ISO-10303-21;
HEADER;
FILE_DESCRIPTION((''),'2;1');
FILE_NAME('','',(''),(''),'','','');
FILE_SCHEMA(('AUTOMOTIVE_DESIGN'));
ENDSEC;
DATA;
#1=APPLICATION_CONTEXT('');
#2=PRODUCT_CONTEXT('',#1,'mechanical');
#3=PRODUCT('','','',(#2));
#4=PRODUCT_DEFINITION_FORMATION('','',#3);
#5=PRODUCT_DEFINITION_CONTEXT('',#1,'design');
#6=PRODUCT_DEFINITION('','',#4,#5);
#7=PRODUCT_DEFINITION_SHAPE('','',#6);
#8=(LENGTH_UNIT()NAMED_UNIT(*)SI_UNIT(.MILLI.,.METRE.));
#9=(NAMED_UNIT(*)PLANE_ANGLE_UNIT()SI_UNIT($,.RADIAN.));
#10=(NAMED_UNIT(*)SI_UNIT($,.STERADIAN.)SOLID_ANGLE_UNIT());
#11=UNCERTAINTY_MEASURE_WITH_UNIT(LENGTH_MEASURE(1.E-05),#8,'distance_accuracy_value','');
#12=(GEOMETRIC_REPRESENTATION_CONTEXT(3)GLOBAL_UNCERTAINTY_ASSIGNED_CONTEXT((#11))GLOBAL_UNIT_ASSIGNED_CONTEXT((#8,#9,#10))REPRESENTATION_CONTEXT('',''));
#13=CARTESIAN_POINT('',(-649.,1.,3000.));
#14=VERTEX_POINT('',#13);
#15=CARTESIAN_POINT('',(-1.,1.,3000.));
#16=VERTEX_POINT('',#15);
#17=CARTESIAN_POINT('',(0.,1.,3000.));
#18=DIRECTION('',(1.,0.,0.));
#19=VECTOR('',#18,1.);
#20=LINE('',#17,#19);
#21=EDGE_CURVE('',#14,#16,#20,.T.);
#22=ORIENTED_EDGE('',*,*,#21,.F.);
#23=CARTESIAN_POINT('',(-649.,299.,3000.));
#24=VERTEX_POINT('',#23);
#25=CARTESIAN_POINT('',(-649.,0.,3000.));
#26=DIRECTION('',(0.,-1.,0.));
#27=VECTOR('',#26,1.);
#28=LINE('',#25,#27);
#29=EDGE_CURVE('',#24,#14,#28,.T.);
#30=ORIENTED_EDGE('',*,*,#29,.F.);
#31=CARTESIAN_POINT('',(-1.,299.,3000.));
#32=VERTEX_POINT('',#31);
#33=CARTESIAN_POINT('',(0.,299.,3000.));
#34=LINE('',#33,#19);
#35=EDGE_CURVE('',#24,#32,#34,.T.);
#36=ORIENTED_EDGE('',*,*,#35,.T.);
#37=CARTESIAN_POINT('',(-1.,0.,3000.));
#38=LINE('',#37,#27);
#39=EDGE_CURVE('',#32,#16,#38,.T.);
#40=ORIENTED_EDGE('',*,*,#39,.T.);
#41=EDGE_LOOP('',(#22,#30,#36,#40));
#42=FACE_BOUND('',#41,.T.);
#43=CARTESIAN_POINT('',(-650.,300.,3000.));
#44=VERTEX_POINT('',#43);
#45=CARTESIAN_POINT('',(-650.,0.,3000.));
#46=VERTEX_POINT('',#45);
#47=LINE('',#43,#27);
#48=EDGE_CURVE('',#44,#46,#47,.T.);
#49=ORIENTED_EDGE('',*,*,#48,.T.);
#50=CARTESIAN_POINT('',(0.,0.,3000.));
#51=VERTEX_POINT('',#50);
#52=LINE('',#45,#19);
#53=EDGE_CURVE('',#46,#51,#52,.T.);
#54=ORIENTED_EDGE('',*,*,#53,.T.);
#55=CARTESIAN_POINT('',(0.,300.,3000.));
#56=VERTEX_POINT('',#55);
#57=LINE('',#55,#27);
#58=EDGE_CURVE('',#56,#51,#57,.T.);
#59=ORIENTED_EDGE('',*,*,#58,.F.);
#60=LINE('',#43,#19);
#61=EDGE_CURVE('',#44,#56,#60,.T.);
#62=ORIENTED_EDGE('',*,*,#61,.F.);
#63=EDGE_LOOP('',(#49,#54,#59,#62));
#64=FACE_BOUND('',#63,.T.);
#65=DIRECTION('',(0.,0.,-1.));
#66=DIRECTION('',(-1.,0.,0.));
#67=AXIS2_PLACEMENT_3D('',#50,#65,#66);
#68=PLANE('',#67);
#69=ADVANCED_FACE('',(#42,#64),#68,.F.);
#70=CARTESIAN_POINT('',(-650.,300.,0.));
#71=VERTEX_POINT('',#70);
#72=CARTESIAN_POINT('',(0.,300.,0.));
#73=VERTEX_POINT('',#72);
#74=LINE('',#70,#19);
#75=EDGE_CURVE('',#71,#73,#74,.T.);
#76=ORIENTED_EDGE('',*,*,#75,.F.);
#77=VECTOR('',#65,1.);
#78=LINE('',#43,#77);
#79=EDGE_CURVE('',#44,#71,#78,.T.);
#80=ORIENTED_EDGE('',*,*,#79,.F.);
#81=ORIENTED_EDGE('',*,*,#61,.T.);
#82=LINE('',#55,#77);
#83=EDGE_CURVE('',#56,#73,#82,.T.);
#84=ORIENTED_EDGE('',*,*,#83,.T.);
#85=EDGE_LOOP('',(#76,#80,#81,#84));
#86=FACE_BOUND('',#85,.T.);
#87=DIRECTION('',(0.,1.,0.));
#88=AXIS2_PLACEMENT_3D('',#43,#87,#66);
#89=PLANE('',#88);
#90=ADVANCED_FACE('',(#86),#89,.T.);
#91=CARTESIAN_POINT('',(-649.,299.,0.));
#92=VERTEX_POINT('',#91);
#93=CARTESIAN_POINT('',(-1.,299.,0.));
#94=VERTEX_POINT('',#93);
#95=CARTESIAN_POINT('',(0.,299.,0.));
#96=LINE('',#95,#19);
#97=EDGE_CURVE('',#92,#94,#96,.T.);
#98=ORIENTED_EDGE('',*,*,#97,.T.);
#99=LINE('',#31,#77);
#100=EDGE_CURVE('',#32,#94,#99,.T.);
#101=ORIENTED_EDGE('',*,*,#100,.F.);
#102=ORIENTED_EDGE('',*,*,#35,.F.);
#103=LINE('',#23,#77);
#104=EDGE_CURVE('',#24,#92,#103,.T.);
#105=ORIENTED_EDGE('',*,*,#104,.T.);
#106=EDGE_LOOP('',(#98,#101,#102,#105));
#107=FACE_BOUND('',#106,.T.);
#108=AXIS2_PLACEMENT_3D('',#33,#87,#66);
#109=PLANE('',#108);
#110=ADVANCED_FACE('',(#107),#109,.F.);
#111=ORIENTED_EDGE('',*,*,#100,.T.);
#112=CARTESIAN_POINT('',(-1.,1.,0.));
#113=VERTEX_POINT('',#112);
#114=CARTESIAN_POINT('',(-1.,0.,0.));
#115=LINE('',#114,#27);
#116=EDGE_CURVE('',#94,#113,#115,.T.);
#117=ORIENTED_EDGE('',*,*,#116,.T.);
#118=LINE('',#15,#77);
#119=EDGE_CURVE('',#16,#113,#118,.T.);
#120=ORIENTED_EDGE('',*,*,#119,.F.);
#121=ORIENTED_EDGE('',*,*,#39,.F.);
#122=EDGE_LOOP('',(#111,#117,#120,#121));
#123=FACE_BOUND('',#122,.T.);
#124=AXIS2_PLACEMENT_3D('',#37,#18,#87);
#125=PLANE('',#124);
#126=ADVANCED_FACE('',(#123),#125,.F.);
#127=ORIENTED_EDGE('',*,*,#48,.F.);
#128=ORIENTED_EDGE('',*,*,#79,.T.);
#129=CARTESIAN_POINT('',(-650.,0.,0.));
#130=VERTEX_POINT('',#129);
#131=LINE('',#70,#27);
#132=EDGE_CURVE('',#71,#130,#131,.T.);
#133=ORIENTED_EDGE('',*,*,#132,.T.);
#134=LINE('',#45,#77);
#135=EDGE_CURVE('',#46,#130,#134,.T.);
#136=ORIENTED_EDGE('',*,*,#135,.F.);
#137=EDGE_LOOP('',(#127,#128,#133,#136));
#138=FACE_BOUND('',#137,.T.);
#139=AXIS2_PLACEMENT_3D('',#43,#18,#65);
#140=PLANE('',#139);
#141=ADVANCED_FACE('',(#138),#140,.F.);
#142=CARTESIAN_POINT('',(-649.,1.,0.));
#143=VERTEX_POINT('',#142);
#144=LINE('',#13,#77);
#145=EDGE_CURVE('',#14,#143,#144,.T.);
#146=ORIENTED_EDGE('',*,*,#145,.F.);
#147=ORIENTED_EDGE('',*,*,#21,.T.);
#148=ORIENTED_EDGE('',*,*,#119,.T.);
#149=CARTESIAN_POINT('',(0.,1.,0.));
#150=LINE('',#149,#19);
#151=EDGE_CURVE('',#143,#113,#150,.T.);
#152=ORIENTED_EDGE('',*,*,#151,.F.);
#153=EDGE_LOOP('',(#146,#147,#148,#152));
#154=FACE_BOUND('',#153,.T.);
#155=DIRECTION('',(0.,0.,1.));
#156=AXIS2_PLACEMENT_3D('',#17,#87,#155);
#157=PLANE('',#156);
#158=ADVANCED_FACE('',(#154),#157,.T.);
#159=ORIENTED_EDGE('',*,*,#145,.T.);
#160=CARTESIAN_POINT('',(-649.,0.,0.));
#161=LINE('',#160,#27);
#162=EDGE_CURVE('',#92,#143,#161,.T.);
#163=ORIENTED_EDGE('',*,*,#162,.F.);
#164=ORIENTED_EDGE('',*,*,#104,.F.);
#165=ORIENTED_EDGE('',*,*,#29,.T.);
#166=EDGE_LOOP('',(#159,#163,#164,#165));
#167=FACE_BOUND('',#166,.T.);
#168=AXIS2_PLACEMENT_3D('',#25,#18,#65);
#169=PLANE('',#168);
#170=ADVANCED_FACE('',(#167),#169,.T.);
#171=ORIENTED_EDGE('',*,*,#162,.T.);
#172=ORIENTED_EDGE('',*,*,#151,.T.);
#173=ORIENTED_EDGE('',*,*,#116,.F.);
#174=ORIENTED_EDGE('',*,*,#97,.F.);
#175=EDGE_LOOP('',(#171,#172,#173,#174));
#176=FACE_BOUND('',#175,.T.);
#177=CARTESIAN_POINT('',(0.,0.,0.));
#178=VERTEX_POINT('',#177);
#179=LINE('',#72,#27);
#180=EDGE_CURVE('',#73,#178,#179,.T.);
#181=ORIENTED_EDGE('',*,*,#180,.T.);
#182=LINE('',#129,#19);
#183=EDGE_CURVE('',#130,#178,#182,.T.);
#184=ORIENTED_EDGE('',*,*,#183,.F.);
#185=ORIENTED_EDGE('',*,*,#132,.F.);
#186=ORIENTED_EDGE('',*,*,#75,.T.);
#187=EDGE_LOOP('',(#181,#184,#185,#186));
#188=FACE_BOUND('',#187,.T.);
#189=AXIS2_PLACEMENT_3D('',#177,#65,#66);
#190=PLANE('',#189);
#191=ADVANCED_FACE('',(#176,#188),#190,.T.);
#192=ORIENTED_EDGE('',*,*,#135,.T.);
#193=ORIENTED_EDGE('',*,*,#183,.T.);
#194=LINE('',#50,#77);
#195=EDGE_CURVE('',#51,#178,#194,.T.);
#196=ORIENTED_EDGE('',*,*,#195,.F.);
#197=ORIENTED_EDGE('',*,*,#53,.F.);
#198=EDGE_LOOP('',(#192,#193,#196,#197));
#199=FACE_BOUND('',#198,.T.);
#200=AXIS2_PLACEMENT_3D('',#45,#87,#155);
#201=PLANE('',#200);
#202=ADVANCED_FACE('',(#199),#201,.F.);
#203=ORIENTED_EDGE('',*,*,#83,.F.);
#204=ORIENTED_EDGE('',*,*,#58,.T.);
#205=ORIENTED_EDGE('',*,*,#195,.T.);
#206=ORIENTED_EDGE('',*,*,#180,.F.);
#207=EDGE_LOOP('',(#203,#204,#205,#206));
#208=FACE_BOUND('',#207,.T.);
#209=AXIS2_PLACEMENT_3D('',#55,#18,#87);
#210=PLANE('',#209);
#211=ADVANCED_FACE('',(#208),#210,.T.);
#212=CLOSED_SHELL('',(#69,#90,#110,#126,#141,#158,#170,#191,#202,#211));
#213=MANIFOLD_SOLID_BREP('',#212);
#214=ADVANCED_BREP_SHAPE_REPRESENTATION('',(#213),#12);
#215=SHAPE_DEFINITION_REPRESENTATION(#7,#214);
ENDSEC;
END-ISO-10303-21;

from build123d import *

# Parameters (mm, degrees)
SKETCH1_W           = 650
SKETCH1_H           = 300
SKETCH1_W_2         = 648
SKETCH1_H_2         = 298
EXTRUDE_THIN1_DEPTH = 3000


with BuildPart() as part:
    # Sketch1 → Extrude-Thin1 (new body)
    with BuildSketch(Plane.XY):
        with Locations((-325, 150)):
            Rectangle(SKETCH1_W, SKETCH1_H)
        with Locations((-325, 150)):
            Rectangle(SKETCH1_W_2, SKETCH1_H_2, mode=Mode.SUBTRACT)
    extrude(amount=EXTRUDE_THIN1_DEPTH)


solid = part.part
